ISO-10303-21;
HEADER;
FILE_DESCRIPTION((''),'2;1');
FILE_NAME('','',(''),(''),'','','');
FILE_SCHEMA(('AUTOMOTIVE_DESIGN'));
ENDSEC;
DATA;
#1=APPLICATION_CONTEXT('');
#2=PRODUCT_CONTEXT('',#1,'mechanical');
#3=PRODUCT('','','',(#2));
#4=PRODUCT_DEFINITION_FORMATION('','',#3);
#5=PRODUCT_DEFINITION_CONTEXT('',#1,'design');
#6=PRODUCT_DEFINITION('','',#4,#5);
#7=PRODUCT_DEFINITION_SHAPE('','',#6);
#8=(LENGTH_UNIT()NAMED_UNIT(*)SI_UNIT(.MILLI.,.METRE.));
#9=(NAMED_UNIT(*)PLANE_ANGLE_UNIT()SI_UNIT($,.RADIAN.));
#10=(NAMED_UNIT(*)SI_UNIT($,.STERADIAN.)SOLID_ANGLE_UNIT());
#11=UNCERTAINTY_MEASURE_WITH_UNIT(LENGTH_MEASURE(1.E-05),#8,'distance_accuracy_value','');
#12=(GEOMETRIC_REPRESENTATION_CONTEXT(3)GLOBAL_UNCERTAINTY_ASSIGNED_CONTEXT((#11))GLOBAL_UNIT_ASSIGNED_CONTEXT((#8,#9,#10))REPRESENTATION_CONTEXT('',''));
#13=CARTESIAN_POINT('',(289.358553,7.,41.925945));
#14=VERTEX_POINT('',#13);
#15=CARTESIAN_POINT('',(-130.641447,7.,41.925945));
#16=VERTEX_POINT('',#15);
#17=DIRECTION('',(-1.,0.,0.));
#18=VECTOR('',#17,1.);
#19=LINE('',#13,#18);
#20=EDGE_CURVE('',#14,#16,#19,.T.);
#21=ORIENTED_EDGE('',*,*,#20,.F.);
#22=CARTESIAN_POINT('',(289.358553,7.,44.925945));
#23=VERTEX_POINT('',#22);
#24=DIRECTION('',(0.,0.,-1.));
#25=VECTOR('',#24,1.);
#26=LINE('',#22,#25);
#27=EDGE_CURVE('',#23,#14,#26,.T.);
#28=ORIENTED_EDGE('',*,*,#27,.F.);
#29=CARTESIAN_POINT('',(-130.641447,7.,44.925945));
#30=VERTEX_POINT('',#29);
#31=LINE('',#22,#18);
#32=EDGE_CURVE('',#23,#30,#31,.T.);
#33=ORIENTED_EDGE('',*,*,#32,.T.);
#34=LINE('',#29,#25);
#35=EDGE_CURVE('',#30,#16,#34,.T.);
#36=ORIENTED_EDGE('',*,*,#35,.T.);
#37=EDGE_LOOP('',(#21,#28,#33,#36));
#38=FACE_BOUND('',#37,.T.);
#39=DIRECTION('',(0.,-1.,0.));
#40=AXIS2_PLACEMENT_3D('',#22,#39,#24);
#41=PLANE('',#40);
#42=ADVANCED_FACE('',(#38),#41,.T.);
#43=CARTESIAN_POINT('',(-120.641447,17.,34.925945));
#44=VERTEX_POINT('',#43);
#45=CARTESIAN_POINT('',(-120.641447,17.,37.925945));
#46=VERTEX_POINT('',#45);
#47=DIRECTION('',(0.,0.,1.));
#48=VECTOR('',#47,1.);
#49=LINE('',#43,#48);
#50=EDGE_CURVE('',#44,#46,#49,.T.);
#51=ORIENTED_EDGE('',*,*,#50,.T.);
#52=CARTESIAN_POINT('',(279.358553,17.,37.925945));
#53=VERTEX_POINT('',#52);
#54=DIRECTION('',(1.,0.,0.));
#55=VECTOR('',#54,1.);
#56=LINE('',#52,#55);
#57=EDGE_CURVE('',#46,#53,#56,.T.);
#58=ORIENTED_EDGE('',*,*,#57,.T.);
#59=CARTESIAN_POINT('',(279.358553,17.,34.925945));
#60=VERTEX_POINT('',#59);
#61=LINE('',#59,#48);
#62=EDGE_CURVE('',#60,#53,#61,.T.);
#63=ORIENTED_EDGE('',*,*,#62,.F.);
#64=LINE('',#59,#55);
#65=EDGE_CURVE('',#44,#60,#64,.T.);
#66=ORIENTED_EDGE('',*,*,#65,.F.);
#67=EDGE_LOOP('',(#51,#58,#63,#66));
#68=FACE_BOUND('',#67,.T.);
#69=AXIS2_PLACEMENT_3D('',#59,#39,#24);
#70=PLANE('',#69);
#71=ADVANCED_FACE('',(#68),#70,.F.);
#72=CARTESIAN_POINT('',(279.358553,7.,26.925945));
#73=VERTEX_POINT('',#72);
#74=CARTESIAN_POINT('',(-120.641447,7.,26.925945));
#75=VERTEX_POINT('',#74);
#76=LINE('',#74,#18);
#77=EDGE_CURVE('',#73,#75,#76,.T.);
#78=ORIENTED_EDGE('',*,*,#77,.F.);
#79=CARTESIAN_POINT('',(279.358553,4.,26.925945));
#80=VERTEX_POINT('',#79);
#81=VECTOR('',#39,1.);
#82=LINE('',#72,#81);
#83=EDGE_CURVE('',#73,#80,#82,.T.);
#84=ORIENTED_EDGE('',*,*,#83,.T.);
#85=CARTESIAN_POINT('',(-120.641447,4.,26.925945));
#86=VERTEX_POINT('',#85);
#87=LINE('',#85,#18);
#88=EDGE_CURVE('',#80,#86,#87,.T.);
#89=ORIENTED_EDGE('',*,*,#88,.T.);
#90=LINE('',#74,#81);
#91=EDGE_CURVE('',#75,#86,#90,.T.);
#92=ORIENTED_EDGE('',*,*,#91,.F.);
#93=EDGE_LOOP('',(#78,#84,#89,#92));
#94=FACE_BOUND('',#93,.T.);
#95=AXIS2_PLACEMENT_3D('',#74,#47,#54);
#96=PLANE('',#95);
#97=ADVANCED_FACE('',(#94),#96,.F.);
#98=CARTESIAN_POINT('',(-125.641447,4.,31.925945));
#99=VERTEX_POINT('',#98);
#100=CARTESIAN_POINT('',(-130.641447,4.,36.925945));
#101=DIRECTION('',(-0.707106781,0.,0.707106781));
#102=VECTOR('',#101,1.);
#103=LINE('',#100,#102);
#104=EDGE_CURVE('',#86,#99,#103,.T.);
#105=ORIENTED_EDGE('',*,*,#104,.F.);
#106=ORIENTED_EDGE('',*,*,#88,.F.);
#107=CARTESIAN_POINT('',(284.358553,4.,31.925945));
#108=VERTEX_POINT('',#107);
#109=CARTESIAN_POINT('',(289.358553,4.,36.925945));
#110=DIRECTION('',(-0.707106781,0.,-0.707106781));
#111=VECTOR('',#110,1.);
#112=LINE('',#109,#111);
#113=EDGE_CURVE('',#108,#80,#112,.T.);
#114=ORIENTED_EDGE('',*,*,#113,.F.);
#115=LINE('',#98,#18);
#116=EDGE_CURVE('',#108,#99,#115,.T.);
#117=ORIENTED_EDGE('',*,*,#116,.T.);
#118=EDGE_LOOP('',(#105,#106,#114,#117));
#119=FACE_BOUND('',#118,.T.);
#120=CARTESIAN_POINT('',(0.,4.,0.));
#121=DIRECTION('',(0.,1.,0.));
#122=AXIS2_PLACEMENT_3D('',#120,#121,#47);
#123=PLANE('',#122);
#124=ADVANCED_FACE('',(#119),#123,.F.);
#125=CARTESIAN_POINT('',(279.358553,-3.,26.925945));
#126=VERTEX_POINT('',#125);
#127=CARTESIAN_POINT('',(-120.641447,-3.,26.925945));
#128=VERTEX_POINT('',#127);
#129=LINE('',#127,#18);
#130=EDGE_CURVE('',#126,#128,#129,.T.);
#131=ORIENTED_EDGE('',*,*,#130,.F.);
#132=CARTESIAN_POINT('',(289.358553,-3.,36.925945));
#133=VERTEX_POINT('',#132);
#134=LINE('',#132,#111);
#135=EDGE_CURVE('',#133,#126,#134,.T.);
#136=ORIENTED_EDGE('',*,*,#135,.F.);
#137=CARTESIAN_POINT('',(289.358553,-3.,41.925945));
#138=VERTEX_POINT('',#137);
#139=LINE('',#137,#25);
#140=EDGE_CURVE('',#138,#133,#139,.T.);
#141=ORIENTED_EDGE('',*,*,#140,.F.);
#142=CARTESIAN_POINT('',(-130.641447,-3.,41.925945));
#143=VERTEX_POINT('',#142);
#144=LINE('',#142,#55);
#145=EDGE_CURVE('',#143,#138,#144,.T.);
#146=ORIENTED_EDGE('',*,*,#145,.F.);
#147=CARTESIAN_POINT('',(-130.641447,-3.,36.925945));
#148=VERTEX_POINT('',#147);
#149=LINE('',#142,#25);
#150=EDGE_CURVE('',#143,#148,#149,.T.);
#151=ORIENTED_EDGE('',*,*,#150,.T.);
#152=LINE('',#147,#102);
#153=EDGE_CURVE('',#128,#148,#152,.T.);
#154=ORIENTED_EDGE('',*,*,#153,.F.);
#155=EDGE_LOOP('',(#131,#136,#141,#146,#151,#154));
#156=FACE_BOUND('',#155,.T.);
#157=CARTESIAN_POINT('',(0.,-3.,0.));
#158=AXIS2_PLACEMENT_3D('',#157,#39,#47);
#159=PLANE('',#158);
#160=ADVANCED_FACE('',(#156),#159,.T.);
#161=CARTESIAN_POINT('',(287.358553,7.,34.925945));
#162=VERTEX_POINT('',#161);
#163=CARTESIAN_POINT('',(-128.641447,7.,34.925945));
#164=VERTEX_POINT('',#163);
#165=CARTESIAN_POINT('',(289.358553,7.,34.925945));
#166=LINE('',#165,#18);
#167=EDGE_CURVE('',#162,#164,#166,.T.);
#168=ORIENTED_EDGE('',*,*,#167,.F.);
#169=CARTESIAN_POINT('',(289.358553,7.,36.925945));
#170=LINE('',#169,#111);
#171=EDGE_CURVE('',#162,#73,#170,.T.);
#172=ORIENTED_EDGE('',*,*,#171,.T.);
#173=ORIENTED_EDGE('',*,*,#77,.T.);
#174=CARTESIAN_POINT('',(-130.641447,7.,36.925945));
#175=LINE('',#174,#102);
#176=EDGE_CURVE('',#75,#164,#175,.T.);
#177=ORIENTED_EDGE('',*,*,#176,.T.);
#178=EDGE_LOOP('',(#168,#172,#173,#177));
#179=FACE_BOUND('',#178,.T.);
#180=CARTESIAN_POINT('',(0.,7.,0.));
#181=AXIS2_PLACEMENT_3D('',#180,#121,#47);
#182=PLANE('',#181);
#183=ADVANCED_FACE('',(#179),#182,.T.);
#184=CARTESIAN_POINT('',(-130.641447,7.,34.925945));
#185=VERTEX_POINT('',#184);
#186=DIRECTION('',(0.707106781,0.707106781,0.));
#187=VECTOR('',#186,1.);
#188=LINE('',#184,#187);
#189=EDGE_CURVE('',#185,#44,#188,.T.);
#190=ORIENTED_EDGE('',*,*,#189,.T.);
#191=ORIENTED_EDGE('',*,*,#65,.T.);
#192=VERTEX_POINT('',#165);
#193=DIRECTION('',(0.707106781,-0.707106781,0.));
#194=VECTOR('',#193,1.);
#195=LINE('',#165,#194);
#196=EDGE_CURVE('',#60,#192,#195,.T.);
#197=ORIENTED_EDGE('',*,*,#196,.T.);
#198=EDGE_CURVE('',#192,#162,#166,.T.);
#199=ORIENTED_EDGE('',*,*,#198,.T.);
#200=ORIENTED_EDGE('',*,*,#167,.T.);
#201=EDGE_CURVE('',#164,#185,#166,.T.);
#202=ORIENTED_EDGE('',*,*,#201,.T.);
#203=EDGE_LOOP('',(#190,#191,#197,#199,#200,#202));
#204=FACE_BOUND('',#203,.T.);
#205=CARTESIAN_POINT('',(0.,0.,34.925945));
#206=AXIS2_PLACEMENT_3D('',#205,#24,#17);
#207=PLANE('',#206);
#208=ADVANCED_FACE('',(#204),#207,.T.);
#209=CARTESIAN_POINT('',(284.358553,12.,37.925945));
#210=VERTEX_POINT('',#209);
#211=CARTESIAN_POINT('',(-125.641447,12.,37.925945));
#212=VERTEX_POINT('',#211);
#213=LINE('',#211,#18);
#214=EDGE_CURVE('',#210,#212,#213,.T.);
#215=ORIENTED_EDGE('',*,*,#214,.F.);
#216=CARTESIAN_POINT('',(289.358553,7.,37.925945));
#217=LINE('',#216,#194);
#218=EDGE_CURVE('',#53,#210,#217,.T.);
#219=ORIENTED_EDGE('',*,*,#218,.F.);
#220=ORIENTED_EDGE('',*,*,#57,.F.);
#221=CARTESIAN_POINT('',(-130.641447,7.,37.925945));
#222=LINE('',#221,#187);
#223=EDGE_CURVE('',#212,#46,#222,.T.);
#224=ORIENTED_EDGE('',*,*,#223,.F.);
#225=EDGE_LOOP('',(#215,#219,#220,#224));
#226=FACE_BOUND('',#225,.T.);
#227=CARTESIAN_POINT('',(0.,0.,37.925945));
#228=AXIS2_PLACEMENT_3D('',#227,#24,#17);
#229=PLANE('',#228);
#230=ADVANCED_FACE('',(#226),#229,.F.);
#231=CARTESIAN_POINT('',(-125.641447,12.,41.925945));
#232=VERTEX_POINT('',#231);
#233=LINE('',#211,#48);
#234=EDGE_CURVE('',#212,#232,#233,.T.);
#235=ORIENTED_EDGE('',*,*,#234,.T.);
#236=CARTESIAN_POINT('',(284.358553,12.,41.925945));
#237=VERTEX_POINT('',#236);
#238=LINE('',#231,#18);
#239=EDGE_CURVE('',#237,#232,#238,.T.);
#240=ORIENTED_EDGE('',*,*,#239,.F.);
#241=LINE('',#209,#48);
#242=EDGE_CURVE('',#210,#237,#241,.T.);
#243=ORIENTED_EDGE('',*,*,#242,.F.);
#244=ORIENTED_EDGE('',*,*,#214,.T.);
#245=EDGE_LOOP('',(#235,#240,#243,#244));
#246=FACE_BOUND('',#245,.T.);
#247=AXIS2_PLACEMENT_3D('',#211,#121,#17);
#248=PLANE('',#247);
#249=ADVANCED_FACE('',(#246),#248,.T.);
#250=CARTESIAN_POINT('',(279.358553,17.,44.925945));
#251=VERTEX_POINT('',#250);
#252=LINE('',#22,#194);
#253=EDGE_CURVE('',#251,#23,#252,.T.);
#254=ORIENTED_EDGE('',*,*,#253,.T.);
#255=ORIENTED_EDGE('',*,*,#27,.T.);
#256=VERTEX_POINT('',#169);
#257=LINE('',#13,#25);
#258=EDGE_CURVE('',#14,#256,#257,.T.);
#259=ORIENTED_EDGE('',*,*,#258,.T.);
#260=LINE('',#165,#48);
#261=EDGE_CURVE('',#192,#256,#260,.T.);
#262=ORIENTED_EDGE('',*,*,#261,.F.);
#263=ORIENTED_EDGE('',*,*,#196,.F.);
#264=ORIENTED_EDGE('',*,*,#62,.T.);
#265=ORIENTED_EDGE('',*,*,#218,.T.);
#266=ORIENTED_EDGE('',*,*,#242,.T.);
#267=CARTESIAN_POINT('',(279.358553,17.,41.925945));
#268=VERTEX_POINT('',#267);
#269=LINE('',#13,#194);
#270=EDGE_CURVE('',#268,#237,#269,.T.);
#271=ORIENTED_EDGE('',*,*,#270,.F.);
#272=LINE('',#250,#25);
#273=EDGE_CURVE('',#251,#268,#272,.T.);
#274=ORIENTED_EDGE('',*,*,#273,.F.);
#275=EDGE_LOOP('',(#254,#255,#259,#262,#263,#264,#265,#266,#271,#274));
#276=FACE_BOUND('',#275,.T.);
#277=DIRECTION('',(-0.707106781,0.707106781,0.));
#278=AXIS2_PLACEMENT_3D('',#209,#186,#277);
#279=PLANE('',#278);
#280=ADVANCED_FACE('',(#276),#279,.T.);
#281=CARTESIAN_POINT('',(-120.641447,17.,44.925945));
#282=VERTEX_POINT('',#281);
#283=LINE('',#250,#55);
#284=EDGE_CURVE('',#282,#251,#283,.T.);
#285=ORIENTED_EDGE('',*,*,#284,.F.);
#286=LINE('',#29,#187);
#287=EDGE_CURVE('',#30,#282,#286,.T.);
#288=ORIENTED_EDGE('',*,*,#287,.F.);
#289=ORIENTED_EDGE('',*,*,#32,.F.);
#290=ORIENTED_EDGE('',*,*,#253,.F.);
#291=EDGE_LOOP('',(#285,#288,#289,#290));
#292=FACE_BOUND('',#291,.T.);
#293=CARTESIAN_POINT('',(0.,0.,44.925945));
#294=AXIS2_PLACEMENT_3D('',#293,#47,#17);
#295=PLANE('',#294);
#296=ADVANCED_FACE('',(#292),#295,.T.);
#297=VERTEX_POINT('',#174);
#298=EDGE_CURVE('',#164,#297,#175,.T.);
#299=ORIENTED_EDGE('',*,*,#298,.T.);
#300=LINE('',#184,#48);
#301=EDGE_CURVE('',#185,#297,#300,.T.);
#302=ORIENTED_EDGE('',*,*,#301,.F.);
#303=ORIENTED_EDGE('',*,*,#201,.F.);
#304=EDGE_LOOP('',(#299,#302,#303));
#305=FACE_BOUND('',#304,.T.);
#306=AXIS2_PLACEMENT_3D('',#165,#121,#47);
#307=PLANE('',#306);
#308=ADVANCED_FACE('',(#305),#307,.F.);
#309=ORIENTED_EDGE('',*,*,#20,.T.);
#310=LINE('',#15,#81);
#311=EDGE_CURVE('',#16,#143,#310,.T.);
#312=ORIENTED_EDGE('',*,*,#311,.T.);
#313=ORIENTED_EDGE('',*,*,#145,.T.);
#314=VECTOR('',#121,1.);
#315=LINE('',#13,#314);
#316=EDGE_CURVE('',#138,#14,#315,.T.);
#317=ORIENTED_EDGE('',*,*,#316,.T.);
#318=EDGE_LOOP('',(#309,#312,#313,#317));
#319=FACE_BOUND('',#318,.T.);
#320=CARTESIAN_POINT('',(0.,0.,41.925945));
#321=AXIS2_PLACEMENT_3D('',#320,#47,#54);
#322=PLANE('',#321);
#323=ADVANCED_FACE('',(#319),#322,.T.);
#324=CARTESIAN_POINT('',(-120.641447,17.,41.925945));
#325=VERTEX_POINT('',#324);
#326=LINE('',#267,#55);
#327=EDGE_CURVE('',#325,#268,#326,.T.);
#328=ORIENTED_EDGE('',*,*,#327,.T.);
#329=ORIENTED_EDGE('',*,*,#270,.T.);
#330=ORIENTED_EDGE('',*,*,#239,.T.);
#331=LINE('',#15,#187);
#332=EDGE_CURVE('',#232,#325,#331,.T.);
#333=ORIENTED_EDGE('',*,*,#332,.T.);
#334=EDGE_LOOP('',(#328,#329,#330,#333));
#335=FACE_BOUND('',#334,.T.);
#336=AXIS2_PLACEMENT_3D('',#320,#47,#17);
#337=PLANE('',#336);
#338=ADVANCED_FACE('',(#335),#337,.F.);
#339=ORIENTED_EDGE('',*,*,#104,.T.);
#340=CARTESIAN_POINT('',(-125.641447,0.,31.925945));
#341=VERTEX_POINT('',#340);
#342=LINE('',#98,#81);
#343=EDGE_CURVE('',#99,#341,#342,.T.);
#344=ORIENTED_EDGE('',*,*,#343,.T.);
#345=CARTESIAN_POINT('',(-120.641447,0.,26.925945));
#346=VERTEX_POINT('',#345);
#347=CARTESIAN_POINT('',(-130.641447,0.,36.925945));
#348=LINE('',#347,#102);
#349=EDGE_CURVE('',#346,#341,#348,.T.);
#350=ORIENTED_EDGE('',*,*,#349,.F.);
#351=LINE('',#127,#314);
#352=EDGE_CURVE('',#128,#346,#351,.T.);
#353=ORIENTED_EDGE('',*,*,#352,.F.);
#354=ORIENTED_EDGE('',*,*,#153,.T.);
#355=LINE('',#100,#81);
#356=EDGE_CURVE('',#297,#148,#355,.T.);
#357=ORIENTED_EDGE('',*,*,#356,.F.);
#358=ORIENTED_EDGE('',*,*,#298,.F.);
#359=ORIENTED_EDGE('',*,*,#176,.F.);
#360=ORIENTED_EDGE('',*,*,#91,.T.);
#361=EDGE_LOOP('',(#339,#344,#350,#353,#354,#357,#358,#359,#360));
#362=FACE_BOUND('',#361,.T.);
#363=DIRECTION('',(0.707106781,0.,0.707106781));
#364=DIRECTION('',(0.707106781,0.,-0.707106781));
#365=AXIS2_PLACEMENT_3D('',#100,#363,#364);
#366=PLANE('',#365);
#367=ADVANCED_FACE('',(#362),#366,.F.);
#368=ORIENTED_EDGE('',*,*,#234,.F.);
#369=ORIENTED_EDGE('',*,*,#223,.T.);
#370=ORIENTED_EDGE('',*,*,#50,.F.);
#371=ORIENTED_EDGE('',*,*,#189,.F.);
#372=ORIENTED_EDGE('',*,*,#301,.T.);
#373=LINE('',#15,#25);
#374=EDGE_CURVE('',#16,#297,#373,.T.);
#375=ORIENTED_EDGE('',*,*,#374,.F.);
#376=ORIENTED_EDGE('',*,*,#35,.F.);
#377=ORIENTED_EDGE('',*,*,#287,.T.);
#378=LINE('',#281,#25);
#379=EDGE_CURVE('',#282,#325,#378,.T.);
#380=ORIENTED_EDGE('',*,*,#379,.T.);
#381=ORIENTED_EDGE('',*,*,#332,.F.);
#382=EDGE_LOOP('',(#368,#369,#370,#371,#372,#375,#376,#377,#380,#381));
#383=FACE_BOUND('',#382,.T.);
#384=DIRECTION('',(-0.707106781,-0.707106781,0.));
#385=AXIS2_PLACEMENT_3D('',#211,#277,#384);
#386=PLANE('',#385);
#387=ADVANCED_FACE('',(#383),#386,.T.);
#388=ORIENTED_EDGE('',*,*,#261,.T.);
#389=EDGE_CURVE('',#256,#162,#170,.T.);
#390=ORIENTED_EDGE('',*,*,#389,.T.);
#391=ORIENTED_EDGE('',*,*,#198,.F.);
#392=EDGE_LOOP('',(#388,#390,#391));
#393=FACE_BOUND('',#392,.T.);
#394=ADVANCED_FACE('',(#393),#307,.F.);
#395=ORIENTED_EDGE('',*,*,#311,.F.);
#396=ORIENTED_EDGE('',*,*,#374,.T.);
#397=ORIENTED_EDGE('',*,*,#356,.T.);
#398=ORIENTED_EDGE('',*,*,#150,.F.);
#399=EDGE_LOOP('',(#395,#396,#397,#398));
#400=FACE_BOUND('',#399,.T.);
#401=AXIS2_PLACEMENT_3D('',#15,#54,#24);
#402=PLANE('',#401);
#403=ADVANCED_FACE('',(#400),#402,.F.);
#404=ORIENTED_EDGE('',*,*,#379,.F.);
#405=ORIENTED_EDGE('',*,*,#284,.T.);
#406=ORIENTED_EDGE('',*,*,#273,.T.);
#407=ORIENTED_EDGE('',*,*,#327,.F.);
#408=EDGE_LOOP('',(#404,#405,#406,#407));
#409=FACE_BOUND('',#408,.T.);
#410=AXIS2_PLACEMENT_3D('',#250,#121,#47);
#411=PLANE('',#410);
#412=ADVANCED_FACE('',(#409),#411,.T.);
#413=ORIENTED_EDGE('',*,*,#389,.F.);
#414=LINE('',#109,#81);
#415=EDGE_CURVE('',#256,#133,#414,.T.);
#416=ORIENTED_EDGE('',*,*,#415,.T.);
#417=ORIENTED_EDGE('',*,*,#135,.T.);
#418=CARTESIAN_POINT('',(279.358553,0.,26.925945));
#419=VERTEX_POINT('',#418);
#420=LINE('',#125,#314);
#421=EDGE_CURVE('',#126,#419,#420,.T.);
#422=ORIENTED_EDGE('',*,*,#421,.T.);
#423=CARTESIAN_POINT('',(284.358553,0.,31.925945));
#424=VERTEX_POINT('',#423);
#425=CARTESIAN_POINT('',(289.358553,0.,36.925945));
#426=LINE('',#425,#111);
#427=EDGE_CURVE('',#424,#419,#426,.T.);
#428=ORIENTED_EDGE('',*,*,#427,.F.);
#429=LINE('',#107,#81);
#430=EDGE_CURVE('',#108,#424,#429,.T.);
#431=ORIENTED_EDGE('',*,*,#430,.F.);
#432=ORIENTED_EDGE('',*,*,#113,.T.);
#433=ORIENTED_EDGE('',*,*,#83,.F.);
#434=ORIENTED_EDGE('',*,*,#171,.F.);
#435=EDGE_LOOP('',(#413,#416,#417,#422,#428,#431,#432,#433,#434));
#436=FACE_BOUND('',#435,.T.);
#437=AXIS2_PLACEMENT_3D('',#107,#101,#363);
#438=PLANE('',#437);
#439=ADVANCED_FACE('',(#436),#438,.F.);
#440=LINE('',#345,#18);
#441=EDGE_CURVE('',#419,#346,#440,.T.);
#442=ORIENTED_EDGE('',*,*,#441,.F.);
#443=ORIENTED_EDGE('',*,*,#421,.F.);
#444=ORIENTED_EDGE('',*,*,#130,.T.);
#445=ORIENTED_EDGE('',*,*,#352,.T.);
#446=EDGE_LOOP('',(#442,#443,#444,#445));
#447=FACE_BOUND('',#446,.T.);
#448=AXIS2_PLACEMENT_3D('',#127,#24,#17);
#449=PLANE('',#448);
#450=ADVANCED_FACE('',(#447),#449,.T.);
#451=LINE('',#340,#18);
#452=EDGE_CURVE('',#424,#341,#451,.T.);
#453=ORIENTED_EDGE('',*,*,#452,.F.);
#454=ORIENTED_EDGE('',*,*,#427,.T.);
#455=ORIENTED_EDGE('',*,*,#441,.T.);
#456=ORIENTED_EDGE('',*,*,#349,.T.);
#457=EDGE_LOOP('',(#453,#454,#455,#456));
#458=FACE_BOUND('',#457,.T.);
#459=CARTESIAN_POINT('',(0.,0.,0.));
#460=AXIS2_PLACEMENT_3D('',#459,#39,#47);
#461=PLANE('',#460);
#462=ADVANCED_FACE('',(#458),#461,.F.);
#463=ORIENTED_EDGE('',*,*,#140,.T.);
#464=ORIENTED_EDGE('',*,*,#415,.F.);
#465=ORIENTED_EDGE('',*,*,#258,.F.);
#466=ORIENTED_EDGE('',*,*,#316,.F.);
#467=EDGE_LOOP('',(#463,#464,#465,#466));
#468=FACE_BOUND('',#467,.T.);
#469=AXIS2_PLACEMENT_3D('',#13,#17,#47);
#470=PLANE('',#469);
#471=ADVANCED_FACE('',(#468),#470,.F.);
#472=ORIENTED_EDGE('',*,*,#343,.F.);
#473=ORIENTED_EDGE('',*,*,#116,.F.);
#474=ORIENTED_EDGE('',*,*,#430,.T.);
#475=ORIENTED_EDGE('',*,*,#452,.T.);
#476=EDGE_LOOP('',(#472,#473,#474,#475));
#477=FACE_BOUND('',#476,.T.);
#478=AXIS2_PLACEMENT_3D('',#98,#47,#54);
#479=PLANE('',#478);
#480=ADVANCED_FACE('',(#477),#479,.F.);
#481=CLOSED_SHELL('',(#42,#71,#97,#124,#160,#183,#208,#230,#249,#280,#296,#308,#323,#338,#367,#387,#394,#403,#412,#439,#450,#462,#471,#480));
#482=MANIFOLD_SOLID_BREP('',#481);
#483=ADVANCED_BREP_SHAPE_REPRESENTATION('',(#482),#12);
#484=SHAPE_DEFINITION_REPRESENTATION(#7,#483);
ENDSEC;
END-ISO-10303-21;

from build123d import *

# Parameters (mm, degrees)
EXTRUDE_2_DEPTH = 4
EXTRUDE_3_DEPTH = 3
SKETCH_5_W      = 420
SKETCH_5_H      = 10
EXTRUDE_4_DEPTH = 5
EXTRUDE_5_DEPTH = 4
EXTRUDE_6_DEPTH = 3


with BuildPart() as part:
    # 草图2 → 凸台-拉伸2 (new body)
    with BuildSketch(Plane(origin=(0, 0, 0), x_dir=(1, 0, 0), z_dir=(0, 1, 0))):
        Polygon((-130.641446974, -36.925945051), (289.358553026, -36.925945051), (284.358553026, -31.925945051), (-125.641446974, -31.925945051), align=None)
    extrude(amount=EXTRUDE_2_DEPTH)

    # 草图3 → 凸台-拉伸3 (add)
    with BuildSketch(Plane(origin=(0, 4, 0), x_dir=(1, 0, 0), z_dir=(0, 1, 0))):
        Polygon((-130.641446974, -36.925945051), (-120.641446974, -26.925945051), (279.358553026, -26.925945051), (289.358553026, -36.925945051), align=None)
    extrude_3 = extrude(amount=EXTRUDE_3_DEPTH)

    # 镜向1: 凸台-拉伸3 across plane
    add(extrude_3.mirror(Plane.ZX.offset(2)))

    # 草图5 → 凸台-拉伸4 (add)
    with BuildSketch(Plane.XY.offset(36.925945051)):
        with Locations((79.358553026, 2)):
            Rectangle(SKETCH_5_W, SKETCH_5_H)
    extrude(amount=EXTRUDE_4_DEPTH)

    # 草图7 → 凸台-拉伸5 (add)
    with BuildSketch(Plane.XY.offset(41.925945051)):
        Polygon((-130.641446974, 7), (289.358553026, 7), (284.358553026, 12), (-125.641446974, 12), align=None)
    extrude(amount=-EXTRUDE_5_DEPTH)

    # 草图8 → 凸台-拉伸6 (add)
    with BuildSketch(Plane(origin=(0, 0, 37.925945051), x_dir=(-1, 0, 0), z_dir=(0, 0, -1))):
        Polygon((-289.358553026, 7), (-279.358553026, 17), (120.641446974, 17), (130.641446974, 7), align=None)
    extrude_6 = extrude(amount=EXTRUDE_6_DEPTH)

    # 镜向2: 凸台-拉伸6 across plane
    add(extrude_6.mirror(Plane(origin=(0, 0, 39.925945051), x_dir=(1, 0, 0), z_dir=(0, 0, -1))))


solid = part.part
